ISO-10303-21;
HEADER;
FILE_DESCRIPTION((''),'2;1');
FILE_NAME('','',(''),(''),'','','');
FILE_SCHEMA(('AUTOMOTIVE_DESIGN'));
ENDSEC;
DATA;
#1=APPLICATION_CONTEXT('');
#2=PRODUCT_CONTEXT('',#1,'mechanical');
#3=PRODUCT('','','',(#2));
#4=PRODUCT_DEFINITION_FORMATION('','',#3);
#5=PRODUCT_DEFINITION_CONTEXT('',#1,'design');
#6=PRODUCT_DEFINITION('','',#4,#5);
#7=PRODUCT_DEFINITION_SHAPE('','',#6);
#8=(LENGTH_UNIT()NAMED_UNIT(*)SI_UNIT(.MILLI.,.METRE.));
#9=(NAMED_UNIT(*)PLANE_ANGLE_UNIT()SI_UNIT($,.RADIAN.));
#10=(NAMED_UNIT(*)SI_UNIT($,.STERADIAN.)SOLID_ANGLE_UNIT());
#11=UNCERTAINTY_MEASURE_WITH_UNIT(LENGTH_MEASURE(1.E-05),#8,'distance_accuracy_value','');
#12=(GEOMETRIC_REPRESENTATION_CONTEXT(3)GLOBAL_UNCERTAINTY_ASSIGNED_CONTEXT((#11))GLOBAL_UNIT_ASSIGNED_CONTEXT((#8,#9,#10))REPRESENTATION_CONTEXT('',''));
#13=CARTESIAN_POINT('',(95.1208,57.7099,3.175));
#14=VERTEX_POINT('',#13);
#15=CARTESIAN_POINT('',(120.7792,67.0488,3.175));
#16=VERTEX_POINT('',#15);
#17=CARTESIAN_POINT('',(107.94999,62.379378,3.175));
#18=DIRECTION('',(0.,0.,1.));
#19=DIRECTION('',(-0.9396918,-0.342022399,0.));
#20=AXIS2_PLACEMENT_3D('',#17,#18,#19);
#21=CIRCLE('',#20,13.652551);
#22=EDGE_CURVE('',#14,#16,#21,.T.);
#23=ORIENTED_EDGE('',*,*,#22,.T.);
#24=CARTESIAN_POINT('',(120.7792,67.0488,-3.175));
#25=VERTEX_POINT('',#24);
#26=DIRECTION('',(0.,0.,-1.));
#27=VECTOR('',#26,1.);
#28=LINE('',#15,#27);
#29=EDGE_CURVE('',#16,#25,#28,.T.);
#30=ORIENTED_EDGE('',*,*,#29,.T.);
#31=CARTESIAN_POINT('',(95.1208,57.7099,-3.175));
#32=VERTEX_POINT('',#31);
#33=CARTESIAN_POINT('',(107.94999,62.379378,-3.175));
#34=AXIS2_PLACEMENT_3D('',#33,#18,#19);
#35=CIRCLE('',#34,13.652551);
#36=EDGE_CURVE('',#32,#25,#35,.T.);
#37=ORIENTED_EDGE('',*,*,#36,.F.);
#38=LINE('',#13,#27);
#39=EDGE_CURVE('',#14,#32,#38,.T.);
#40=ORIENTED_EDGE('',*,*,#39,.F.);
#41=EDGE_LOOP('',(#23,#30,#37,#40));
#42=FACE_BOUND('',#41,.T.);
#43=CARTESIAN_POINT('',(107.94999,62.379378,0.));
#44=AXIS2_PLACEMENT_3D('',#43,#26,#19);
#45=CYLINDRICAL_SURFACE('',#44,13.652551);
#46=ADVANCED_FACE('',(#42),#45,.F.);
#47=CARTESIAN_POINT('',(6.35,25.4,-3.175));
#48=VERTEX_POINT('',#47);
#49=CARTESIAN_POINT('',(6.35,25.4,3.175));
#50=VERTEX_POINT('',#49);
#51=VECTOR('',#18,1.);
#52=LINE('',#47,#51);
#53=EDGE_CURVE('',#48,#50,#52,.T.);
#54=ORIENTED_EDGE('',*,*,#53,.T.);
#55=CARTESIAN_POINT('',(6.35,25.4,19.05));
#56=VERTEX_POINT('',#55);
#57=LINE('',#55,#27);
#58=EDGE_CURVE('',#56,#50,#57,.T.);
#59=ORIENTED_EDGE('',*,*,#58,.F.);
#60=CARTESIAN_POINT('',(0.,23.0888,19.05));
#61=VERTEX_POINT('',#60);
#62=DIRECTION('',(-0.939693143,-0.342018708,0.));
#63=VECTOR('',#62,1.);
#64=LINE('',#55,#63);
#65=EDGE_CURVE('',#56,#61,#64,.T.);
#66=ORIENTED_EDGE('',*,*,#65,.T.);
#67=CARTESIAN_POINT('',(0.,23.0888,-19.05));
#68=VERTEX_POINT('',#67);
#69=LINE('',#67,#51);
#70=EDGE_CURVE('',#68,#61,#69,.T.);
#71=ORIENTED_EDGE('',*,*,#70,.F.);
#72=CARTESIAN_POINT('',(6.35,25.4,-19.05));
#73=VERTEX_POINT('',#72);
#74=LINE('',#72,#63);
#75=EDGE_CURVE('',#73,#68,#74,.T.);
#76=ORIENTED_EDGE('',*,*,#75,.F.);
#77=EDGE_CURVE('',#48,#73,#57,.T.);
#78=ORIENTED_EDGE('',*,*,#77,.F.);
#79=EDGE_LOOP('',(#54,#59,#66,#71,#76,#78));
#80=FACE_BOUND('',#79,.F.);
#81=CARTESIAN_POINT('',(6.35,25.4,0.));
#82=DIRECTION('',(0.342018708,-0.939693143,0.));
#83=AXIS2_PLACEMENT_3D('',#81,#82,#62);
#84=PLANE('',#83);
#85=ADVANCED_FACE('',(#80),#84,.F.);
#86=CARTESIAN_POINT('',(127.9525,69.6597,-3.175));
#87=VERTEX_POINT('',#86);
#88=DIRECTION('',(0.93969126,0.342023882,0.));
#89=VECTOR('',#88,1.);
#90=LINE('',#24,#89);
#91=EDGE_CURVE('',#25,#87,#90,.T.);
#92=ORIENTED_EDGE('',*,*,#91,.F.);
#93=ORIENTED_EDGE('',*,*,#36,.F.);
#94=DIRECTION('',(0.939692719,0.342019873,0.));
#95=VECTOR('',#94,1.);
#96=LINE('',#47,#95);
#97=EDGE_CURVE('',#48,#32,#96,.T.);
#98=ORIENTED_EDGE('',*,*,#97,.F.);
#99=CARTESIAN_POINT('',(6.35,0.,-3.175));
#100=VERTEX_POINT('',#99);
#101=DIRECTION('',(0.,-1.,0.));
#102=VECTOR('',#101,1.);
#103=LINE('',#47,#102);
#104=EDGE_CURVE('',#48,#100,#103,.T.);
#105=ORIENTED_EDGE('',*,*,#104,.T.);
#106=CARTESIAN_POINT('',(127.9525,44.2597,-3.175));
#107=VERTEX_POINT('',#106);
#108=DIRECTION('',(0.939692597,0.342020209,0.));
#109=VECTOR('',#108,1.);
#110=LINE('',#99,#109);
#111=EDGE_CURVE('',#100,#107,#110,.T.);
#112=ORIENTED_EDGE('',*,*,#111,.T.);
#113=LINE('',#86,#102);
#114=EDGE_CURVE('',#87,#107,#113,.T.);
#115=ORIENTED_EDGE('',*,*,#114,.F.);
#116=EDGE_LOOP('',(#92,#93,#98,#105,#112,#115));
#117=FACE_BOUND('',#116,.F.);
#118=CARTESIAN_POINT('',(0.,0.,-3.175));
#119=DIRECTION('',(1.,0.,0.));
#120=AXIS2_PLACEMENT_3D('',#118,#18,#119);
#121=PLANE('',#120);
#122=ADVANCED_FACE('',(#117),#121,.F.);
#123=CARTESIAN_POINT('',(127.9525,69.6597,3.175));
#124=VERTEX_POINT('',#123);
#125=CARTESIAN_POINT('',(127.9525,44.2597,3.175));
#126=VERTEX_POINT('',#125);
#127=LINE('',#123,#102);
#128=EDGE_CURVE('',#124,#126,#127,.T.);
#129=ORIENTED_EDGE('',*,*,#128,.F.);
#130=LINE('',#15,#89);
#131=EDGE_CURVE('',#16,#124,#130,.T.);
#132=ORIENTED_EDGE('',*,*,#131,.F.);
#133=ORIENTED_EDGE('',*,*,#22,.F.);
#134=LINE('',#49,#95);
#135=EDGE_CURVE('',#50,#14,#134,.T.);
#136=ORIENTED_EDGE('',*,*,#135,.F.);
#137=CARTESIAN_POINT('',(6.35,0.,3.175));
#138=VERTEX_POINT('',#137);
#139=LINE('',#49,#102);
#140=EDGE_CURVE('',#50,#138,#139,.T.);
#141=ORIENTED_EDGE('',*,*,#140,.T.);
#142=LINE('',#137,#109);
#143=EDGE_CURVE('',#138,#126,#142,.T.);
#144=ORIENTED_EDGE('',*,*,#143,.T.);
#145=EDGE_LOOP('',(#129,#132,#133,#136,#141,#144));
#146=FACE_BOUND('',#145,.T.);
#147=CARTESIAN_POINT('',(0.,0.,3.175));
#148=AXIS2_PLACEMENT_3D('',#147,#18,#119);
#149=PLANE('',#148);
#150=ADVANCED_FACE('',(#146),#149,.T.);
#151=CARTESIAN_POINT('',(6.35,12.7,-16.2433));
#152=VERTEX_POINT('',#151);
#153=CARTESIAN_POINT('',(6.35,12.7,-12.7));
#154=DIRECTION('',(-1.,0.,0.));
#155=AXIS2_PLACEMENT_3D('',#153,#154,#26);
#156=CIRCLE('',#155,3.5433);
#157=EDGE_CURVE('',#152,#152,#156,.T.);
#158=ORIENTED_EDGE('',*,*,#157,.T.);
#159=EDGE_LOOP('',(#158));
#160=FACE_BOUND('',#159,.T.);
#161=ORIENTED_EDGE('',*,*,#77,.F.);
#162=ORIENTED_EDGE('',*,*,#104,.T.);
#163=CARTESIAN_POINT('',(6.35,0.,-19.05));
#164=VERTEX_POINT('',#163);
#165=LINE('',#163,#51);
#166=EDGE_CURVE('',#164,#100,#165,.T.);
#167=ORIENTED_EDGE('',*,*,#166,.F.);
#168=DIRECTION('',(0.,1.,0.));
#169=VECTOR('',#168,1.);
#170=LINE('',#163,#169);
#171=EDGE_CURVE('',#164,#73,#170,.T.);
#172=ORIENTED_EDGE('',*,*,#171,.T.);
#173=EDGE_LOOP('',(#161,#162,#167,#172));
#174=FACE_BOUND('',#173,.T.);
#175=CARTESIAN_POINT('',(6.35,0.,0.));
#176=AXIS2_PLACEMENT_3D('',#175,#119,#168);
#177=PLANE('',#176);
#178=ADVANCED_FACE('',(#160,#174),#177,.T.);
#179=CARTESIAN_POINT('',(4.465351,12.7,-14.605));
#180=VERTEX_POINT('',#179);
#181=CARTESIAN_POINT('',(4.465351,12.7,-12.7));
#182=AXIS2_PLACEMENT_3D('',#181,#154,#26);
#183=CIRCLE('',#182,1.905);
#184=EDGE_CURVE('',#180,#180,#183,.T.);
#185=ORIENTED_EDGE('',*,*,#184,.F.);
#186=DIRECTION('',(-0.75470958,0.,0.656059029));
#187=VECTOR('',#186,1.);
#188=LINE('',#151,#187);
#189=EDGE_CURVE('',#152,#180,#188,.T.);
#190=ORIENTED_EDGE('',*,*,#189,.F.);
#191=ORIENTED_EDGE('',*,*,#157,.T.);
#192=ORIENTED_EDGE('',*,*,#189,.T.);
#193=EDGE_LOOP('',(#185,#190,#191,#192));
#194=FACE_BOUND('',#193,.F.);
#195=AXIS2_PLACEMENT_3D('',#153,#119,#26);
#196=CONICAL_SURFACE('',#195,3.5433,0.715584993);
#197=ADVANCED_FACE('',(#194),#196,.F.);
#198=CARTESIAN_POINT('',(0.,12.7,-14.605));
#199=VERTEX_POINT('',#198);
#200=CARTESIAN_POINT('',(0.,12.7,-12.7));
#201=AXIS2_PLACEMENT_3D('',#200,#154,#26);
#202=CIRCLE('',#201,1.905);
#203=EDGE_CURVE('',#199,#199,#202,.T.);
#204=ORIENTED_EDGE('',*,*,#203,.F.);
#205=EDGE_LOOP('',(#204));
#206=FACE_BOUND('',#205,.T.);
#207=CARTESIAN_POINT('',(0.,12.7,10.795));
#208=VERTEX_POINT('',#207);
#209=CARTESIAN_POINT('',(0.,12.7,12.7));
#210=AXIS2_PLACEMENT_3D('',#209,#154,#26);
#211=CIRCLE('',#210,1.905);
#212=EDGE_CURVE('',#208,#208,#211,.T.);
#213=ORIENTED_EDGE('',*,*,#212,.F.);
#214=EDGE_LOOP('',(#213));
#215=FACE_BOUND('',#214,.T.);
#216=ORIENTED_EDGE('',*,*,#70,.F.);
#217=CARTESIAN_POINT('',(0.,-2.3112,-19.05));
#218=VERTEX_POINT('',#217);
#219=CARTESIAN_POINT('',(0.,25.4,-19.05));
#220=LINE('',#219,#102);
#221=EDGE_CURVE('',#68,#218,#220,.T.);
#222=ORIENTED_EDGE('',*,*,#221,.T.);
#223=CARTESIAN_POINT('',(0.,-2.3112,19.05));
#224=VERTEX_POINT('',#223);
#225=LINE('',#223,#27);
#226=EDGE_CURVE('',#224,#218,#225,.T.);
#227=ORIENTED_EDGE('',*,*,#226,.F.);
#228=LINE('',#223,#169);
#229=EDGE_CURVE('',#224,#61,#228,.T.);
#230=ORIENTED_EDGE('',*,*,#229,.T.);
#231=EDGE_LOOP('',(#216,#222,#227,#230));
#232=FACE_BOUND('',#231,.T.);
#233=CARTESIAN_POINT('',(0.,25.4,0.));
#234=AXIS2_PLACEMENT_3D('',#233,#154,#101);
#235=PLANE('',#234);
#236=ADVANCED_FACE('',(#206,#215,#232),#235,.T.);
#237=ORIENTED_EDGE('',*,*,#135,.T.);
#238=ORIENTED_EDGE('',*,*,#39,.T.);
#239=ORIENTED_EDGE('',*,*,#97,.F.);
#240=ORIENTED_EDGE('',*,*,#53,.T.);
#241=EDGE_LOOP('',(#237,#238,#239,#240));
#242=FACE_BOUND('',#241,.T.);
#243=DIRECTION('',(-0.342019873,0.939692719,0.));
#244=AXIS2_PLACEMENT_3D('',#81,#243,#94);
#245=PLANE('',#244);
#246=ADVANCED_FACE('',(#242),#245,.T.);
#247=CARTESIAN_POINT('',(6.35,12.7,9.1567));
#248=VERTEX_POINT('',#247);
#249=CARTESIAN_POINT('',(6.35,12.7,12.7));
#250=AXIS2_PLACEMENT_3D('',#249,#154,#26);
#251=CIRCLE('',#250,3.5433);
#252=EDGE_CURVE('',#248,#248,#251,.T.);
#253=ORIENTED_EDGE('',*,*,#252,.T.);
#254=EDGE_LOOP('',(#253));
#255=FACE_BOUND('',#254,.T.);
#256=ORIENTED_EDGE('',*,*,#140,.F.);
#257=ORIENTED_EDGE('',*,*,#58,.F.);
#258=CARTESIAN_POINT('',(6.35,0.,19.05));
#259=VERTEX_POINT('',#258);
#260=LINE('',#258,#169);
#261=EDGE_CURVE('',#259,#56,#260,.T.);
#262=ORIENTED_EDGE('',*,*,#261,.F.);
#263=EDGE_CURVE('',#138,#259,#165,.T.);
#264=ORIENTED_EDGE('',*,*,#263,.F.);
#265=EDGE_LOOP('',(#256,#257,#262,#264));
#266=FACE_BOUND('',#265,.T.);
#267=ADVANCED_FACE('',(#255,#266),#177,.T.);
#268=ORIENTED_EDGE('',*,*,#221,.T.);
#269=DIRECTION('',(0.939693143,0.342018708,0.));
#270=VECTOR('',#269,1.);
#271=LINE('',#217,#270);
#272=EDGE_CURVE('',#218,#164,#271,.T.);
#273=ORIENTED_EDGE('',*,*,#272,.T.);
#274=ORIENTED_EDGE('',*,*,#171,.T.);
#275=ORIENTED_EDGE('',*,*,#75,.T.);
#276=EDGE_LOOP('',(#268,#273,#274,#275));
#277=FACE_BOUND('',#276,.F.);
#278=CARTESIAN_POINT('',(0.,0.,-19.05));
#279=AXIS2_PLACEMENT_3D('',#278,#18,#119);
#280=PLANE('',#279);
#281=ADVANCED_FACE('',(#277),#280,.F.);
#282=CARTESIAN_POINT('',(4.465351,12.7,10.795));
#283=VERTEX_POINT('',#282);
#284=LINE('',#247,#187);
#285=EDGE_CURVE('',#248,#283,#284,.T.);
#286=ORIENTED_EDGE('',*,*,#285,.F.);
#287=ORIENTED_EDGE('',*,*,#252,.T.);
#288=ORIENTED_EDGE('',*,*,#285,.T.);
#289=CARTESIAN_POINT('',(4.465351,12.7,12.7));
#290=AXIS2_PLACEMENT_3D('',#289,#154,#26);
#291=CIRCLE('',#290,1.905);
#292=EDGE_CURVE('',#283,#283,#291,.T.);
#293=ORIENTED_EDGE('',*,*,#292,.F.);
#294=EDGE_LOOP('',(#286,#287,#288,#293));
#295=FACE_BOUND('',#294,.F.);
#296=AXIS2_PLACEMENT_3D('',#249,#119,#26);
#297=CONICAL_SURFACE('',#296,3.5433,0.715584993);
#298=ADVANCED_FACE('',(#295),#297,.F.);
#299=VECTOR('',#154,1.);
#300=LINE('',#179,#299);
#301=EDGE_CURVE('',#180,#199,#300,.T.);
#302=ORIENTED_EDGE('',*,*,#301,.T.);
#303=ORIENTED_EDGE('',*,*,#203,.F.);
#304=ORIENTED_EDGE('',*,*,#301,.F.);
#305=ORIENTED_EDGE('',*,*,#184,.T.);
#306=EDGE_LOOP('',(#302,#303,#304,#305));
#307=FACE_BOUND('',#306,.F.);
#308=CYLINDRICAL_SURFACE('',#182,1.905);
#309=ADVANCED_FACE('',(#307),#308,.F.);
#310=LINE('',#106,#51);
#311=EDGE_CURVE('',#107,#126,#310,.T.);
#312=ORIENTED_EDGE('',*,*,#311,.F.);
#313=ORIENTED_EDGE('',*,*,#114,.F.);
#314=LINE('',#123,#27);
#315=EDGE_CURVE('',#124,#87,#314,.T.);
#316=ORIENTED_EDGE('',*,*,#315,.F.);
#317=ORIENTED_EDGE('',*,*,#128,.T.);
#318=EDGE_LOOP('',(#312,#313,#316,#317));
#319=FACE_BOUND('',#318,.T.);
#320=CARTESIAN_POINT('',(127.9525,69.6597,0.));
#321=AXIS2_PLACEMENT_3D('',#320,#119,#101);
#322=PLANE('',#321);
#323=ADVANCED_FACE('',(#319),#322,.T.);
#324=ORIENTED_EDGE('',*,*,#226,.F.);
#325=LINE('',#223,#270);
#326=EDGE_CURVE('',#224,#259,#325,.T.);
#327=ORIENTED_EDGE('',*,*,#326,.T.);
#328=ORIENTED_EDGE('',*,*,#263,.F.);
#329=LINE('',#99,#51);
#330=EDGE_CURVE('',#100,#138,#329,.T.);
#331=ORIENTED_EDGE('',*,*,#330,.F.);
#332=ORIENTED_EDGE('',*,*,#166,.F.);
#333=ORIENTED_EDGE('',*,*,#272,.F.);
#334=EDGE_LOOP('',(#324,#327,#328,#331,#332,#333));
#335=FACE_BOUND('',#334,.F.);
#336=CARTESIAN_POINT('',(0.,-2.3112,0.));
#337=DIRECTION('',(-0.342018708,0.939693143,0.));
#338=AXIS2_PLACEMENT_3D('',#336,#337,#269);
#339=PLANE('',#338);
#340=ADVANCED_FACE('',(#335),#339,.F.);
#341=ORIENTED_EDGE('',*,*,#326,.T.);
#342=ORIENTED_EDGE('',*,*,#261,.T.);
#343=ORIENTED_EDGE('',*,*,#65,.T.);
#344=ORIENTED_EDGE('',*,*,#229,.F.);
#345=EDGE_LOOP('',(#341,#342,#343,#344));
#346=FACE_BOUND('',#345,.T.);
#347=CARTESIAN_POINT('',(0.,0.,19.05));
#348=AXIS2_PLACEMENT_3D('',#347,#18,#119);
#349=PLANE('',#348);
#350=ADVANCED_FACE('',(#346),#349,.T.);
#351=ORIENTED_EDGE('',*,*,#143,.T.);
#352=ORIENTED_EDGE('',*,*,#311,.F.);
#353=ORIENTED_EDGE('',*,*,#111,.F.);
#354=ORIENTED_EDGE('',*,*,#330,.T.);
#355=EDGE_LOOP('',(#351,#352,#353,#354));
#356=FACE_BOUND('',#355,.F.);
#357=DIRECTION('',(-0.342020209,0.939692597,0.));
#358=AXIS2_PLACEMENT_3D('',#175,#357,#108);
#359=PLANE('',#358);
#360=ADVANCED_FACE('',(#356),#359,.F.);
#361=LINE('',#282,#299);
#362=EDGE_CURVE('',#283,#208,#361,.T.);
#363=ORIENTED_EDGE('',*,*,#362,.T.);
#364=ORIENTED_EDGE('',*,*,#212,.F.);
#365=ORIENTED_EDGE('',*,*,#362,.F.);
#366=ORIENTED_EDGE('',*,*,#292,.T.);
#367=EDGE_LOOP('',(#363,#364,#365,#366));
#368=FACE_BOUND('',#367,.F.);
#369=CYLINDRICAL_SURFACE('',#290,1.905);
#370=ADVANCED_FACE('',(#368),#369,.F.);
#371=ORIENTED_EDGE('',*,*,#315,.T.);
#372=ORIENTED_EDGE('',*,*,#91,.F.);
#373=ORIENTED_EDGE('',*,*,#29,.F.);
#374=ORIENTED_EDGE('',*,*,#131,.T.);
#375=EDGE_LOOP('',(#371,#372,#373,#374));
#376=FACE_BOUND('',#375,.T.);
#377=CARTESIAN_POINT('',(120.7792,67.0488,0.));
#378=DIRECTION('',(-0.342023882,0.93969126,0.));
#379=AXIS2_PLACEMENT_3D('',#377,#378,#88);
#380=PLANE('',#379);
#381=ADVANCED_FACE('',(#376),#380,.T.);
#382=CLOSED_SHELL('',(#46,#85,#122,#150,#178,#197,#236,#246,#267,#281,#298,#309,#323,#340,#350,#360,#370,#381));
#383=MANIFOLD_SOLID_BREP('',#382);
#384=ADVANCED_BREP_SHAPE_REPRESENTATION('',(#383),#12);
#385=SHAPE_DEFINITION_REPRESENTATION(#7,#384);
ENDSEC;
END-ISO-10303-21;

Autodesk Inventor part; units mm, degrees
ref_plane "YZ Plane" through (0, 0, 0) normal (1, 0, 0) x (0, 1, 0)
ref_plane "XZ Plane" through (0, 0, 0) normal (0, 1, 0) x (-1, 0, 0)
ref_plane "XY Plane" through (0, 0, 0) normal (0, 0, 1) x (1, 0, 0)
sketch "Sketch5" plane through (0, 0, 0) normal (0, 0, 1) x (1, 0, 0)
  line L0 (0, 0) -> (6.35, 0)
  line L1 (6.35, 0) -> (6.35, 25.4)
  line L2 (6.35, 25.4) -> (0, 25.4)
  line L3 (0, 25.4) -> (0, 0)
  dimension "d21" = 25.4
  dimension "d22" = 6.35
extrude "Extrusion3" add sketch "Sketch5" against normal mid plane 38.1
sketch "Sketch6" plane through (0, 0, 0) normal (0, 0, 1) x (1, 0, 0)
  line L0 (6.35, 25.4) -> (6.35, 0) projected
  line L1 (0, 25.4) -> (6.35, 25.4) projected
  line L2 (6.35, 0) -> (0, 0) projected
  line L3 (0, 0) -> (0, 25.4) projected
  line L4 (6.35, 0) -> (127.9525, 44.2597)
  line L5 (6.35, 0) -> (135.7567, 0) construction
  line L6 (127.9525, 69.6597) -> (127.9525, 44.2597)
  arc A0 (95.1208, 57.7099) -> (120.7792, 67.0488) centre (107.95, 62.3794) ccw
  line L7 (6.35, 25.4) -> (95.1208, 57.7099)
  line L8 (120.7792, 67.0488) -> (127.9525, 69.6597)
  dimension "d25" = 20
  dimension "d26" = 27.305
  dimension "d29" = 6.35
  dimension "d30" = 107.95
  dimension "d33" = 0
extrude "Extrusion4" add sketch "Sketch6" along normal mid plane 6.35 contours L7 A0 L8 L6 L4 L0
sketch "Sketch7" plane through (6.35, 0, 19.05) normal (1, 0, 0) x (0, 0, -1)
  line L0 (38.1, 25.4) -> (0, 25.4) construction
  line L1 (6.35, 25.4) -> (6.35, 0) construction
  line L2 (31.75, 25.4) -> (31.75, 0) construction
  line L3 (0, 0) -> (0, 25.4) construction
  line L4 (38.1, 25.4) -> (38.1, 0) construction
  line L5 (0, 0) -> (15.875, 0) projected
  line L6 (22.225, 0) -> (38.1, 0) projected
  point P0 (19.05, 0)
  point P1 (6.35, 12.7)
  point P2 (31.75, 12.7)
  dimension "d34" = 6.35
  dimension "d35" = 6.35
sketch "Sketch8" plane through (0, 0, 0) normal (0, 0, 1) x (1, 0, 0)
  line L0 (0, 0) -> (0, 25.4) projected
  line L1 (6.35, 0) -> (0, 0) projected
  line L2 (127.9525, 44.2597) -> (6.35, 0) projected
  line L3 (0, 0) -> (6.35, 0)
  line L4 (0, -2.3112) -> (6.35, 0)
  line L5 (0, 0) -> (0, -2.3112)
extrude "Extrusion5" add sketch "Sketch8" along normal mid plane 38.1
hole "Hole3" at (6.35, 12.7, 12.7) at (6.35, 12.7, -12.7) direction (-1, 0, 0) diameter 3.81 end through all countersink diameter 7.0866 countersink angle 82 clearance for "Flat Head Machine Screw (82)" size "#6" standard "Ansi Unified Screw Threads"
sketch "Sketch9" plane through (0, 0, 0) normal (0, 0, 1) x (1, 0, 0)
  line L0 (6.35, 25.4) -> (6.35, 0) projected
  line L1 (0, 25.4) -> (6.35, 25.4) projected
  line L2 (6.35, 25.4) -> (95.1208, 57.7099) projected
  line L3 (0, -2.3112) -> (0, 25.4) projected
  line L4 (6.35, 25.4) -> (0, 25.4)
  line L5 (6.35, 25.4) -> (6.35, 0) projected
  line L6 (6.35, 25.4) -> (0, 23.0888)
  line L7 (0, 25.4) -> (0, 23.0888)
  point P0 (0, 0)
extrude "Extrusion6" cut sketch "Sketch9" along normal mid plane 38.1
equation "\"d21\" = supportHeight"
equation "\"d22\" = supportWidth"
equation "\"d23\" = totalScrewHoldWidth"
equation "\"d25\" = supportAngle"
equation "\"d26\" = pipeDiameter"
equation "\"d30\" = distanceFromWallToPipeCenter"
equation "\"d31\" = supportWidth"
equation "\"d47\" = totalScrewHoldWidth"
equation "\"d63\" = totalScrewHoldWidth"
equation "\"pipeDiameter\" = 27.305"
equation "\"distanceFromWallToPipeCenter\" = 107.95"
equation "\"supportHeight\" = 25.4"
equation "\"supportWidth\" = 6.35"
equation "\"screwHoldDepth\" = 6.35"
equation "\"totalScrewHoldWidth\" = 38.1"
equation "\"screwPositionFromTop\" = 6.35"
equation "\"supportAngle\" = 20deg"
properties part number "PipeSupport-4_00-020"
